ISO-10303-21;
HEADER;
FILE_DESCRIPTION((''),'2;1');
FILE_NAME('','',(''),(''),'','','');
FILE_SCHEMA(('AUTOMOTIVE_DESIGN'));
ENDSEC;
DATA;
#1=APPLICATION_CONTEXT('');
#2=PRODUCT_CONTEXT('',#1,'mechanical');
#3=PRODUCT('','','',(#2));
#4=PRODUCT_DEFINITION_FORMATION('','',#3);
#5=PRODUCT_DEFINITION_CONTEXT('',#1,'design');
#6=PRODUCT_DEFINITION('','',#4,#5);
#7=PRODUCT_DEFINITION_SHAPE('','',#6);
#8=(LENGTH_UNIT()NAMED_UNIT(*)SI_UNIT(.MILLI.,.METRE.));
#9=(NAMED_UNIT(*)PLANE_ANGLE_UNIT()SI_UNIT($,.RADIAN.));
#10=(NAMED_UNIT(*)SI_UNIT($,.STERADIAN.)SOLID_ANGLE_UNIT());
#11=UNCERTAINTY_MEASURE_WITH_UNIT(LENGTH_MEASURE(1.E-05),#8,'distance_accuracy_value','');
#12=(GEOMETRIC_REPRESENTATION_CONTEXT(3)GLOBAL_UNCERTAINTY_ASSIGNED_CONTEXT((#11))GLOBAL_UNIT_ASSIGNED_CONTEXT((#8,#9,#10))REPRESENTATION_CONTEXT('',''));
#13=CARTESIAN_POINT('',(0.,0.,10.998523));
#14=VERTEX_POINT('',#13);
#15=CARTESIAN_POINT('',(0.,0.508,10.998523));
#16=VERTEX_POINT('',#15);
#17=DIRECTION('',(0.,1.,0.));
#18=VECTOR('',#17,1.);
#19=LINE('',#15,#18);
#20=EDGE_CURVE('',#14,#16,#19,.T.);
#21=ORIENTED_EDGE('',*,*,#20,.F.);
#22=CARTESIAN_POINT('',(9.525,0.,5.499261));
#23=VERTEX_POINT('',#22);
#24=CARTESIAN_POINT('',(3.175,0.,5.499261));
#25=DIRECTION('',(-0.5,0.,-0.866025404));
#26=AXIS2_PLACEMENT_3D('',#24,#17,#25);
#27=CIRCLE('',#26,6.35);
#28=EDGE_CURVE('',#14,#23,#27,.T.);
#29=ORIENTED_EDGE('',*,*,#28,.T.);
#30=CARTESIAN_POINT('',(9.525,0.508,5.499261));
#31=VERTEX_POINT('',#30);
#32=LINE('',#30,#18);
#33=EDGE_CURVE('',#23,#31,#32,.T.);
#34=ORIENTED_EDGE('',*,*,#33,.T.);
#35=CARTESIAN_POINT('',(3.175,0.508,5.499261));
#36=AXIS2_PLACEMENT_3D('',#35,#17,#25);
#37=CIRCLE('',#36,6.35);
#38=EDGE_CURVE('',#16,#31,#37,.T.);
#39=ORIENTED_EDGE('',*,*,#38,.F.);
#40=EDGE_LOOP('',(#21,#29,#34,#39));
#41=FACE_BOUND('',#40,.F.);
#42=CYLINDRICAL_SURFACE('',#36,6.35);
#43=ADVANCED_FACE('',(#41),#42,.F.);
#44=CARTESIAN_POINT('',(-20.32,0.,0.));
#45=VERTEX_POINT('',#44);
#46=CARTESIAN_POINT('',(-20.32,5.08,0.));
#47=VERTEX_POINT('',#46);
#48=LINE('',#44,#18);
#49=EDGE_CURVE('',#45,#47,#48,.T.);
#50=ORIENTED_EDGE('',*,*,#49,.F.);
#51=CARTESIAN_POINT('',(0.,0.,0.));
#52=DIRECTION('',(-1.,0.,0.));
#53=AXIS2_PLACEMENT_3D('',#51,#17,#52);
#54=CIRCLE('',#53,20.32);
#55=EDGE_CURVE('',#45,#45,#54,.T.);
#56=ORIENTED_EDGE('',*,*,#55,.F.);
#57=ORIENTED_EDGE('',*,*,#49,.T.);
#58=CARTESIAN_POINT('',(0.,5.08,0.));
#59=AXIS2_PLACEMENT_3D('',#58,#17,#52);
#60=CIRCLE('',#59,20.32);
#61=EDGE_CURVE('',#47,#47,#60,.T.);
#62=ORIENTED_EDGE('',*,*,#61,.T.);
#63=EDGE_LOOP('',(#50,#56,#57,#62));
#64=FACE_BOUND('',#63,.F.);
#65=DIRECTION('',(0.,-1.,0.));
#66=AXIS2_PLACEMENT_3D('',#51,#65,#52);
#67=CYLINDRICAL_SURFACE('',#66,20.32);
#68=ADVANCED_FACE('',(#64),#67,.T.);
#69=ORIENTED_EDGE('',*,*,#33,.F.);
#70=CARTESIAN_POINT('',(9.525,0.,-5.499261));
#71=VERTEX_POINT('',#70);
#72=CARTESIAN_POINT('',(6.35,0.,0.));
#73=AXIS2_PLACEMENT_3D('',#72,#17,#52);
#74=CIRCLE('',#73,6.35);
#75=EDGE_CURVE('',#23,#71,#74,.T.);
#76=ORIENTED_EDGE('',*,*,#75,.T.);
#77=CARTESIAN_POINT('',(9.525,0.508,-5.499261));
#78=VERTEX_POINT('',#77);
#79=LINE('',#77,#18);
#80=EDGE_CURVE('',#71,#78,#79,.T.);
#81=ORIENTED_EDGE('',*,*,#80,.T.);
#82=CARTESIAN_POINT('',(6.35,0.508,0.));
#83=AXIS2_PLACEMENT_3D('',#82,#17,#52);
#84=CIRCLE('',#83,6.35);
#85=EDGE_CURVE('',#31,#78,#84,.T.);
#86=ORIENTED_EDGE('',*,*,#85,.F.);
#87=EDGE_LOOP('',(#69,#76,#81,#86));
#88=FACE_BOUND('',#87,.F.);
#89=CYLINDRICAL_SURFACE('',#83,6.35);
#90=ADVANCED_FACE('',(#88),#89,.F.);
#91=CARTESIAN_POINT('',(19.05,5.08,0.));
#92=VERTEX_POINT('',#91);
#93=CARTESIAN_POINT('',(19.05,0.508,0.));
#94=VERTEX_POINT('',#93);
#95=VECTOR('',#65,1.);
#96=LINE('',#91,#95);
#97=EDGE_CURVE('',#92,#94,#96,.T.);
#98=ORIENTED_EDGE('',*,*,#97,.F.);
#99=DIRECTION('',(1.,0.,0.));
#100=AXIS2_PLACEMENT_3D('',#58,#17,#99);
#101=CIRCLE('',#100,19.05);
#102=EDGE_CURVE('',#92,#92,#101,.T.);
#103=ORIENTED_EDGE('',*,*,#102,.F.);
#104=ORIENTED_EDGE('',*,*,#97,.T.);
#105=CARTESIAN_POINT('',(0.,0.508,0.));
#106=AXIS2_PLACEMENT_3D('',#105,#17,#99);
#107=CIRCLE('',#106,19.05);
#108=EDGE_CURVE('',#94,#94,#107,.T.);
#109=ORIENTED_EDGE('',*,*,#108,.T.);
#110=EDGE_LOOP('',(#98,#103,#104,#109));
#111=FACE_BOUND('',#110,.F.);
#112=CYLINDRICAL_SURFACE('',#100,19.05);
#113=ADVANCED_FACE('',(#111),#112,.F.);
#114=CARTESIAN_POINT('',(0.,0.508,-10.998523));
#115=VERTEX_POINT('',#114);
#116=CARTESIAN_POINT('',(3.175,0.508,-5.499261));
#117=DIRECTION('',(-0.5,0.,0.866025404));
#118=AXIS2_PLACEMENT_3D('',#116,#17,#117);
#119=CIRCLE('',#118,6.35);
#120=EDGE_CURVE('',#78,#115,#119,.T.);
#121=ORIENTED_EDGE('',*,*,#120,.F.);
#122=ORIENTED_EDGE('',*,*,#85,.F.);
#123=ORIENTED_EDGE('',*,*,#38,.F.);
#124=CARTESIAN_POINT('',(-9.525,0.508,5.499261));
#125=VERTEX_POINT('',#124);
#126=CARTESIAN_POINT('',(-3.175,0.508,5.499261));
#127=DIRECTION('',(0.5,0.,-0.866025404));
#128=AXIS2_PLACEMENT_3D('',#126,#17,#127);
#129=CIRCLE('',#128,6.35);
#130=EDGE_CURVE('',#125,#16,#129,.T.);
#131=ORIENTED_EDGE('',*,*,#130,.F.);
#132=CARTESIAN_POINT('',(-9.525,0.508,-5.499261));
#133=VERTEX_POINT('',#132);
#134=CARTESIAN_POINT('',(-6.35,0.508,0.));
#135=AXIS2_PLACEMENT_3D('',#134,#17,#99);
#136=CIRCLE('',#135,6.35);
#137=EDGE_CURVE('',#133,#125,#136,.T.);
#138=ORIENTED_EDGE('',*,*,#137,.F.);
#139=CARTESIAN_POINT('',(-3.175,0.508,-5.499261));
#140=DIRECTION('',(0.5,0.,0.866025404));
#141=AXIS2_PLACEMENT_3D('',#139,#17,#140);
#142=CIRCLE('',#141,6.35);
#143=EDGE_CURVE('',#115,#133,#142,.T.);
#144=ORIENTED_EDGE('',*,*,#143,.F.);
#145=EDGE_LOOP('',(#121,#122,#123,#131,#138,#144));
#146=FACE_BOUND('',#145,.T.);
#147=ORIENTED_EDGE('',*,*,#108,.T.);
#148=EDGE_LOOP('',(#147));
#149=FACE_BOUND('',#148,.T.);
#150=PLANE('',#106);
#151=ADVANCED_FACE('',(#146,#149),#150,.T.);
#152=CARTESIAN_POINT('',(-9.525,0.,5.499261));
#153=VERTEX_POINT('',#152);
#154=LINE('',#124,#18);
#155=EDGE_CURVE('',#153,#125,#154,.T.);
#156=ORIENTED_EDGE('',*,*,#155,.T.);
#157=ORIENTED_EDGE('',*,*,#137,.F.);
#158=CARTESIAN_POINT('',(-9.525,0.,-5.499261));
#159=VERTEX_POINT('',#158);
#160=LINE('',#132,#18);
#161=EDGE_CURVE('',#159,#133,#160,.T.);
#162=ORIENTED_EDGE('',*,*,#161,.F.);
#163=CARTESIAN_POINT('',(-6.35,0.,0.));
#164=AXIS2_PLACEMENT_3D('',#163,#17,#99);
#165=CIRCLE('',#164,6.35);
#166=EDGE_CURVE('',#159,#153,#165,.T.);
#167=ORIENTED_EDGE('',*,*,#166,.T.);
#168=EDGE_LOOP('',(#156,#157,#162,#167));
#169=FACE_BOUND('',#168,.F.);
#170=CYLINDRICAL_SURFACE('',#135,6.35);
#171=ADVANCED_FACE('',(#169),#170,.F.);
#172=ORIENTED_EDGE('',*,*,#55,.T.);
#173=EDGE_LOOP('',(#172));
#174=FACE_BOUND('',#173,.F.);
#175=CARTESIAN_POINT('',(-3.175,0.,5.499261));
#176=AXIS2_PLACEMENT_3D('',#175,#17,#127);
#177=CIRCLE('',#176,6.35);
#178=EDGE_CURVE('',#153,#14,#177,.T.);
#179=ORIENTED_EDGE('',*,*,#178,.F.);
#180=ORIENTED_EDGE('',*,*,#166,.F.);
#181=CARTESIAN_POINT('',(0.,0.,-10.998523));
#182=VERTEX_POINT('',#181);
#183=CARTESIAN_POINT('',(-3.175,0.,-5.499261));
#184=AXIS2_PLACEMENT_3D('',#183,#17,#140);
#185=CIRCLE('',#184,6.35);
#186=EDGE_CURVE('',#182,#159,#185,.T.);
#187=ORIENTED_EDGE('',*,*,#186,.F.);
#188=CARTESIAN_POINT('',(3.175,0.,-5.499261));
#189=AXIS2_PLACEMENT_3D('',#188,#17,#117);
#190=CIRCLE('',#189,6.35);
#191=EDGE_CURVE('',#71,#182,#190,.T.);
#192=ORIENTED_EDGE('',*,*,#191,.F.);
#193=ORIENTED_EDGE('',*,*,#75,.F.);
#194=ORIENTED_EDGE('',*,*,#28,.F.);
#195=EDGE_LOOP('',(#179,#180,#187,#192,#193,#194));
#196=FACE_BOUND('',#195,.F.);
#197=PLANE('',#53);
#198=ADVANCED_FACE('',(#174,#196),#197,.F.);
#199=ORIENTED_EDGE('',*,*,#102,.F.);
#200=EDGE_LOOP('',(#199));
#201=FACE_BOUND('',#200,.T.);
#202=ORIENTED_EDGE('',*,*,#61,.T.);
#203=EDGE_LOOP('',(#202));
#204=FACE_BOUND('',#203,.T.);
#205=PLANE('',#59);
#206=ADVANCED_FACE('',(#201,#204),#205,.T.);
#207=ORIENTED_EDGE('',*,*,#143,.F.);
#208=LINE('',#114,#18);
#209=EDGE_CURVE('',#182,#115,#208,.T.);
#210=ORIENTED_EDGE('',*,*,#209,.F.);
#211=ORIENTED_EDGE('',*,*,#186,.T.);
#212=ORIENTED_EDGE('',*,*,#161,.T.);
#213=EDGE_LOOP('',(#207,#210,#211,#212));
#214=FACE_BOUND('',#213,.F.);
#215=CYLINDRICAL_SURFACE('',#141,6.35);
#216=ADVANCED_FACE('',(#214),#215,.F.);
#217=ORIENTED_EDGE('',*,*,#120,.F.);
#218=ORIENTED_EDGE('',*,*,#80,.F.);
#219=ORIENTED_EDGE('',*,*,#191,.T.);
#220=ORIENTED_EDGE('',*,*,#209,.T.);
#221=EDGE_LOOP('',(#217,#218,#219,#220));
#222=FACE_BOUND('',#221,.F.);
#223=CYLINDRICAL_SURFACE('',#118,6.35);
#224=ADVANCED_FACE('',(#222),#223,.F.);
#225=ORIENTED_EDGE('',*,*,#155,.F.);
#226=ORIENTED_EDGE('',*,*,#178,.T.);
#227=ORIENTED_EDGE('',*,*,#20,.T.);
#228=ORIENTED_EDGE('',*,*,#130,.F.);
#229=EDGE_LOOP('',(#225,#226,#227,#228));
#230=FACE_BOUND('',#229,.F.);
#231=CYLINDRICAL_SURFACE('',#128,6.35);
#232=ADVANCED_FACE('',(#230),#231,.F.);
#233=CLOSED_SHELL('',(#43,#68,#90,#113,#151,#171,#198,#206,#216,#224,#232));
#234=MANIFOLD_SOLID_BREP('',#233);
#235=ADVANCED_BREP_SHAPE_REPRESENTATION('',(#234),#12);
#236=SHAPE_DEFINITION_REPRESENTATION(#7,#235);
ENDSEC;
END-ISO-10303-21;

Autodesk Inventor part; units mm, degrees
ref_plane "YZ Plane" through (0, 0, 0) normal (1, 0, 0) x (0, 1, 0)
ref_plane "XZ Plane" through (0, 0, 0) normal (0, 1, 0) x (-1, 0, 0)
ref_plane "XY Plane" through (0, 0, 0) normal (0, 0, 1) x (1, 0, 0)
sketch "Sketch1" plane through (0, 0, 0) normal (0, 1, 0) x (-1, 0, 0)
  circle A0 centre (0, 0) radius 20.32
  dimension "d0" = 40.64
extrude "Extrusion1" add sketch "Sketch1" along normal blind 5.08
sketch "Sketch2" plane through (0, 5.08, 0) normal (0, 1, 0) x (1, 0, 0)
  circle A0 centre (0, 0) radius 19.05
  dimension "d3" = 38.1
extrude "Extrusion2" cut sketch "Sketch2" against normal blind 4.572
sketch "Sketch3" plane through (0, 0.508, 0) normal (0, 1, 0) x (1, 0, 0)
  line L0 (0, 0) -> (-6.35, 0)
  circle A0 centre (-6.35, 0) radius 6.35
  dimension "d6" = 6.35
extrude "Extrusion3" cut sketch "Sketch3" against normal blind 4.572
pattern_circular "Circular Pattern1" count 6 over 360 about axis through (0, 0.508, 0) along (0, 1, 0) of "Extrusion3"
sketch "Sketch4" plane through (0, 0.508, 0) normal (0, 1, 0) x (1, 0, 0)
  line L0 (0, 0) -> (-6.35, 0)
  dimension "d14" = 6.35
properties part number "Motor Mount Test"
